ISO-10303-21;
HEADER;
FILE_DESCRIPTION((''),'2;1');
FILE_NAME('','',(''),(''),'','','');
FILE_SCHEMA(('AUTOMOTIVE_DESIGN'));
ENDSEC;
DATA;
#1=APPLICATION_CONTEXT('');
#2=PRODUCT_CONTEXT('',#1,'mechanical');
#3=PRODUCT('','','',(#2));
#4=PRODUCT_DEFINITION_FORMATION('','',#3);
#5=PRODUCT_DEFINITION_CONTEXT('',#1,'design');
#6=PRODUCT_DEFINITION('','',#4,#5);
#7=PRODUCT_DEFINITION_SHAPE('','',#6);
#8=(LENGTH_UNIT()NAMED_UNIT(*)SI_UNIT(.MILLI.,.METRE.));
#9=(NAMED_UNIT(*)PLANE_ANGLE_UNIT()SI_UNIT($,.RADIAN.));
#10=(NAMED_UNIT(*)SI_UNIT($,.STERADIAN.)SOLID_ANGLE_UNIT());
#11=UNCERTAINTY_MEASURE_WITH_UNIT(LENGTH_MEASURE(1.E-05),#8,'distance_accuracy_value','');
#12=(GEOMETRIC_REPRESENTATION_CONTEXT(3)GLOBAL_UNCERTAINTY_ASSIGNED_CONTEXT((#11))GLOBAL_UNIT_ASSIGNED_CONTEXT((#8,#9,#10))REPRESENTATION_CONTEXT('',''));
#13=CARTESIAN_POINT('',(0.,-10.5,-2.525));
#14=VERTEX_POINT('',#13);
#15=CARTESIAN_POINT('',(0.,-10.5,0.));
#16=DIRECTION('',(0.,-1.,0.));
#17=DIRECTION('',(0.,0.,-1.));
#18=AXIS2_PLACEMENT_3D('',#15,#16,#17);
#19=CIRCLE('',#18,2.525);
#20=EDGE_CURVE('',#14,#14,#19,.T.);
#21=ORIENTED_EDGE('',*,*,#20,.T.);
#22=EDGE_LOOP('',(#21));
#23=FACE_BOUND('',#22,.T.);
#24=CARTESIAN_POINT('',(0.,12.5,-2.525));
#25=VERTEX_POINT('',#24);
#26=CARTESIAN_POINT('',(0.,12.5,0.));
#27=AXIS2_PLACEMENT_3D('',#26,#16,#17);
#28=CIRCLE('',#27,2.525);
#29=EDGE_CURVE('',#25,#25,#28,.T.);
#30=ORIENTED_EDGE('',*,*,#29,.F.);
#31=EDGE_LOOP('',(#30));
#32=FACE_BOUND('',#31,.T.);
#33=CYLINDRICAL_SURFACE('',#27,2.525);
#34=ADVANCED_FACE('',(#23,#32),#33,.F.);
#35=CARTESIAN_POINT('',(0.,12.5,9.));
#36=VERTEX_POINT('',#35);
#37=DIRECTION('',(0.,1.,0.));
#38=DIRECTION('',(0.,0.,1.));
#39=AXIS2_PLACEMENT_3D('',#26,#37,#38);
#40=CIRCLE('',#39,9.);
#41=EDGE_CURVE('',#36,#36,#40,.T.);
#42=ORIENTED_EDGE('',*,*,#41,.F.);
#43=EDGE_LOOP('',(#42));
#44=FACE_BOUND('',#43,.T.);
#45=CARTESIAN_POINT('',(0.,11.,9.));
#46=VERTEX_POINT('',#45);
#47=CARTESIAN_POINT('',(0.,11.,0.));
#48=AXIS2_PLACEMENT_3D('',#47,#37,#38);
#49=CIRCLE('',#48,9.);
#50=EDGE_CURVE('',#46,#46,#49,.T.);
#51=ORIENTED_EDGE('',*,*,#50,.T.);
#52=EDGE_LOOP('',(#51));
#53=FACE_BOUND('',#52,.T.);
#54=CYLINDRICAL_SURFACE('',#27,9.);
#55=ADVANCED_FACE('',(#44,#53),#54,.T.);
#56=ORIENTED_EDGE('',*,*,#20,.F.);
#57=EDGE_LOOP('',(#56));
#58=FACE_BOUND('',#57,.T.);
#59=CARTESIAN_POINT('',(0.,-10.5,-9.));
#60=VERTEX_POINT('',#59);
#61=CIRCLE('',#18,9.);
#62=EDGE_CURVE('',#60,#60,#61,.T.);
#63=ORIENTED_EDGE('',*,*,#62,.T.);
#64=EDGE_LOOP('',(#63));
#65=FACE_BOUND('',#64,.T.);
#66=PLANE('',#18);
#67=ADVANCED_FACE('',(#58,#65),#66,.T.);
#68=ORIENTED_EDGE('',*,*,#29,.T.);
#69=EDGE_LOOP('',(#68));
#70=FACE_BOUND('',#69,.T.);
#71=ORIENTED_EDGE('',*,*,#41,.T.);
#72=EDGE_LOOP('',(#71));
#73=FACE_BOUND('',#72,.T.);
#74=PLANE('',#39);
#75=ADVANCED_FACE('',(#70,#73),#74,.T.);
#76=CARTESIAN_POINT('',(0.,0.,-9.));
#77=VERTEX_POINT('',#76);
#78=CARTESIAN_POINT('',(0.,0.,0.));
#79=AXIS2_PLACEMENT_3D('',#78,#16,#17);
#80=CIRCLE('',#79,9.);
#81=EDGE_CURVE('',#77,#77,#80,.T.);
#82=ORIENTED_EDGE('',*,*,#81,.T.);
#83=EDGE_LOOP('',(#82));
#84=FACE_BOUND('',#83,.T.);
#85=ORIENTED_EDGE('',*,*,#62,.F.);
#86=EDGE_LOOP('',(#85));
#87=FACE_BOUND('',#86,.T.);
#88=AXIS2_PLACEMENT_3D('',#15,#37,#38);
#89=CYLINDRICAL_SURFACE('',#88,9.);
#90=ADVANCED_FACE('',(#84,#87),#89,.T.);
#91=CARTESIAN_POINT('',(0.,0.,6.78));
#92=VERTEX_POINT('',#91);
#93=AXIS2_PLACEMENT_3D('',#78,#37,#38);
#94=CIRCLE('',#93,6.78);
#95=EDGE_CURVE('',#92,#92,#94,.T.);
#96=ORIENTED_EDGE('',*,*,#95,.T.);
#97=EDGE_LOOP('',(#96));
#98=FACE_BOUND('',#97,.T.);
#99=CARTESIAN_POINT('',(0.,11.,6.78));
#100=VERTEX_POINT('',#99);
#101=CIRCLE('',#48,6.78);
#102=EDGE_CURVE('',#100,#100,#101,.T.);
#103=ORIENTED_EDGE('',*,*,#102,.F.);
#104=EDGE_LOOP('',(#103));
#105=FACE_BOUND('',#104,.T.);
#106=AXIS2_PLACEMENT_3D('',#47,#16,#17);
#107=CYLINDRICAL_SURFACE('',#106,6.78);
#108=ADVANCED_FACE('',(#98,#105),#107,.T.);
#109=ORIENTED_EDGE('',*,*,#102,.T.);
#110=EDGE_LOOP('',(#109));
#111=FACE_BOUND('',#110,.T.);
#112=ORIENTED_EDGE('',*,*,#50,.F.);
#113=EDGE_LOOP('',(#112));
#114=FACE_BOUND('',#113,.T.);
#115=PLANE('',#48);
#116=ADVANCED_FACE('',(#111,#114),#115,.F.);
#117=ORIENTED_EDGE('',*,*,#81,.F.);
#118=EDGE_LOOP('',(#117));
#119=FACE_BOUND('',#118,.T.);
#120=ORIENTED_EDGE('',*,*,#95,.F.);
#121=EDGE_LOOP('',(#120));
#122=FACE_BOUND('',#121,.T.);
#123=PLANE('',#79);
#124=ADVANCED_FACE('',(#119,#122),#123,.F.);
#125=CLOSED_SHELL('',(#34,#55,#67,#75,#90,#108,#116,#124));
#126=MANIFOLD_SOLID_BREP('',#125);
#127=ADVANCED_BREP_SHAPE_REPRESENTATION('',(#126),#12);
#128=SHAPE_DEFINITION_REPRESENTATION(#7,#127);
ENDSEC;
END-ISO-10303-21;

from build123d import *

# Parameters (mm, degrees)
SKETCH_1_R            = 6.78
EXTRUDE_2_DEPTH       = 11
SKETCH_3_R            = 9
EXTRUDE_355_DEPTH     = 1.5
SKETCH_4_R            = 9
EXTRUDE_447_DEPTH     = 10.5
SKETCH_5_R            = 2.525
CUT_EXTRUDE_536_DEPTH = 24


with BuildPart() as part:
    # 草图1 → 凸台-拉伸2 (new body)
    with BuildSketch(Plane(origin=(0, 0, 0), x_dir=(1, 0, 0), z_dir=(0, 1, 0))):
        Circle(SKETCH_1_R)
    extrude(amount=EXTRUDE_2_DEPTH)

    # 草图3 → Extrude 355 (add)
    with BuildSketch(Plane(origin=(0, 11, 0), x_dir=(1, 0, 0), z_dir=(0, 1, 0))):
        Circle(SKETCH_3_R)
    extrude(amount=EXTRUDE_355_DEPTH)

    # 草图4 → Extrude 447 (add)
    with BuildSketch(Plane.XZ):
        Circle(SKETCH_4_R)
    extrude(amount=EXTRUDE_447_DEPTH)

    # 草图5 → Cut-Extrude 536 (cut, through all)
    with BuildSketch(Plane.XZ.offset(10.5)):
        Circle(SKETCH_5_R)
    extrude(amount=-CUT_EXTRUDE_536_DEPTH, mode=Mode.SUBTRACT)


solid = part.part
